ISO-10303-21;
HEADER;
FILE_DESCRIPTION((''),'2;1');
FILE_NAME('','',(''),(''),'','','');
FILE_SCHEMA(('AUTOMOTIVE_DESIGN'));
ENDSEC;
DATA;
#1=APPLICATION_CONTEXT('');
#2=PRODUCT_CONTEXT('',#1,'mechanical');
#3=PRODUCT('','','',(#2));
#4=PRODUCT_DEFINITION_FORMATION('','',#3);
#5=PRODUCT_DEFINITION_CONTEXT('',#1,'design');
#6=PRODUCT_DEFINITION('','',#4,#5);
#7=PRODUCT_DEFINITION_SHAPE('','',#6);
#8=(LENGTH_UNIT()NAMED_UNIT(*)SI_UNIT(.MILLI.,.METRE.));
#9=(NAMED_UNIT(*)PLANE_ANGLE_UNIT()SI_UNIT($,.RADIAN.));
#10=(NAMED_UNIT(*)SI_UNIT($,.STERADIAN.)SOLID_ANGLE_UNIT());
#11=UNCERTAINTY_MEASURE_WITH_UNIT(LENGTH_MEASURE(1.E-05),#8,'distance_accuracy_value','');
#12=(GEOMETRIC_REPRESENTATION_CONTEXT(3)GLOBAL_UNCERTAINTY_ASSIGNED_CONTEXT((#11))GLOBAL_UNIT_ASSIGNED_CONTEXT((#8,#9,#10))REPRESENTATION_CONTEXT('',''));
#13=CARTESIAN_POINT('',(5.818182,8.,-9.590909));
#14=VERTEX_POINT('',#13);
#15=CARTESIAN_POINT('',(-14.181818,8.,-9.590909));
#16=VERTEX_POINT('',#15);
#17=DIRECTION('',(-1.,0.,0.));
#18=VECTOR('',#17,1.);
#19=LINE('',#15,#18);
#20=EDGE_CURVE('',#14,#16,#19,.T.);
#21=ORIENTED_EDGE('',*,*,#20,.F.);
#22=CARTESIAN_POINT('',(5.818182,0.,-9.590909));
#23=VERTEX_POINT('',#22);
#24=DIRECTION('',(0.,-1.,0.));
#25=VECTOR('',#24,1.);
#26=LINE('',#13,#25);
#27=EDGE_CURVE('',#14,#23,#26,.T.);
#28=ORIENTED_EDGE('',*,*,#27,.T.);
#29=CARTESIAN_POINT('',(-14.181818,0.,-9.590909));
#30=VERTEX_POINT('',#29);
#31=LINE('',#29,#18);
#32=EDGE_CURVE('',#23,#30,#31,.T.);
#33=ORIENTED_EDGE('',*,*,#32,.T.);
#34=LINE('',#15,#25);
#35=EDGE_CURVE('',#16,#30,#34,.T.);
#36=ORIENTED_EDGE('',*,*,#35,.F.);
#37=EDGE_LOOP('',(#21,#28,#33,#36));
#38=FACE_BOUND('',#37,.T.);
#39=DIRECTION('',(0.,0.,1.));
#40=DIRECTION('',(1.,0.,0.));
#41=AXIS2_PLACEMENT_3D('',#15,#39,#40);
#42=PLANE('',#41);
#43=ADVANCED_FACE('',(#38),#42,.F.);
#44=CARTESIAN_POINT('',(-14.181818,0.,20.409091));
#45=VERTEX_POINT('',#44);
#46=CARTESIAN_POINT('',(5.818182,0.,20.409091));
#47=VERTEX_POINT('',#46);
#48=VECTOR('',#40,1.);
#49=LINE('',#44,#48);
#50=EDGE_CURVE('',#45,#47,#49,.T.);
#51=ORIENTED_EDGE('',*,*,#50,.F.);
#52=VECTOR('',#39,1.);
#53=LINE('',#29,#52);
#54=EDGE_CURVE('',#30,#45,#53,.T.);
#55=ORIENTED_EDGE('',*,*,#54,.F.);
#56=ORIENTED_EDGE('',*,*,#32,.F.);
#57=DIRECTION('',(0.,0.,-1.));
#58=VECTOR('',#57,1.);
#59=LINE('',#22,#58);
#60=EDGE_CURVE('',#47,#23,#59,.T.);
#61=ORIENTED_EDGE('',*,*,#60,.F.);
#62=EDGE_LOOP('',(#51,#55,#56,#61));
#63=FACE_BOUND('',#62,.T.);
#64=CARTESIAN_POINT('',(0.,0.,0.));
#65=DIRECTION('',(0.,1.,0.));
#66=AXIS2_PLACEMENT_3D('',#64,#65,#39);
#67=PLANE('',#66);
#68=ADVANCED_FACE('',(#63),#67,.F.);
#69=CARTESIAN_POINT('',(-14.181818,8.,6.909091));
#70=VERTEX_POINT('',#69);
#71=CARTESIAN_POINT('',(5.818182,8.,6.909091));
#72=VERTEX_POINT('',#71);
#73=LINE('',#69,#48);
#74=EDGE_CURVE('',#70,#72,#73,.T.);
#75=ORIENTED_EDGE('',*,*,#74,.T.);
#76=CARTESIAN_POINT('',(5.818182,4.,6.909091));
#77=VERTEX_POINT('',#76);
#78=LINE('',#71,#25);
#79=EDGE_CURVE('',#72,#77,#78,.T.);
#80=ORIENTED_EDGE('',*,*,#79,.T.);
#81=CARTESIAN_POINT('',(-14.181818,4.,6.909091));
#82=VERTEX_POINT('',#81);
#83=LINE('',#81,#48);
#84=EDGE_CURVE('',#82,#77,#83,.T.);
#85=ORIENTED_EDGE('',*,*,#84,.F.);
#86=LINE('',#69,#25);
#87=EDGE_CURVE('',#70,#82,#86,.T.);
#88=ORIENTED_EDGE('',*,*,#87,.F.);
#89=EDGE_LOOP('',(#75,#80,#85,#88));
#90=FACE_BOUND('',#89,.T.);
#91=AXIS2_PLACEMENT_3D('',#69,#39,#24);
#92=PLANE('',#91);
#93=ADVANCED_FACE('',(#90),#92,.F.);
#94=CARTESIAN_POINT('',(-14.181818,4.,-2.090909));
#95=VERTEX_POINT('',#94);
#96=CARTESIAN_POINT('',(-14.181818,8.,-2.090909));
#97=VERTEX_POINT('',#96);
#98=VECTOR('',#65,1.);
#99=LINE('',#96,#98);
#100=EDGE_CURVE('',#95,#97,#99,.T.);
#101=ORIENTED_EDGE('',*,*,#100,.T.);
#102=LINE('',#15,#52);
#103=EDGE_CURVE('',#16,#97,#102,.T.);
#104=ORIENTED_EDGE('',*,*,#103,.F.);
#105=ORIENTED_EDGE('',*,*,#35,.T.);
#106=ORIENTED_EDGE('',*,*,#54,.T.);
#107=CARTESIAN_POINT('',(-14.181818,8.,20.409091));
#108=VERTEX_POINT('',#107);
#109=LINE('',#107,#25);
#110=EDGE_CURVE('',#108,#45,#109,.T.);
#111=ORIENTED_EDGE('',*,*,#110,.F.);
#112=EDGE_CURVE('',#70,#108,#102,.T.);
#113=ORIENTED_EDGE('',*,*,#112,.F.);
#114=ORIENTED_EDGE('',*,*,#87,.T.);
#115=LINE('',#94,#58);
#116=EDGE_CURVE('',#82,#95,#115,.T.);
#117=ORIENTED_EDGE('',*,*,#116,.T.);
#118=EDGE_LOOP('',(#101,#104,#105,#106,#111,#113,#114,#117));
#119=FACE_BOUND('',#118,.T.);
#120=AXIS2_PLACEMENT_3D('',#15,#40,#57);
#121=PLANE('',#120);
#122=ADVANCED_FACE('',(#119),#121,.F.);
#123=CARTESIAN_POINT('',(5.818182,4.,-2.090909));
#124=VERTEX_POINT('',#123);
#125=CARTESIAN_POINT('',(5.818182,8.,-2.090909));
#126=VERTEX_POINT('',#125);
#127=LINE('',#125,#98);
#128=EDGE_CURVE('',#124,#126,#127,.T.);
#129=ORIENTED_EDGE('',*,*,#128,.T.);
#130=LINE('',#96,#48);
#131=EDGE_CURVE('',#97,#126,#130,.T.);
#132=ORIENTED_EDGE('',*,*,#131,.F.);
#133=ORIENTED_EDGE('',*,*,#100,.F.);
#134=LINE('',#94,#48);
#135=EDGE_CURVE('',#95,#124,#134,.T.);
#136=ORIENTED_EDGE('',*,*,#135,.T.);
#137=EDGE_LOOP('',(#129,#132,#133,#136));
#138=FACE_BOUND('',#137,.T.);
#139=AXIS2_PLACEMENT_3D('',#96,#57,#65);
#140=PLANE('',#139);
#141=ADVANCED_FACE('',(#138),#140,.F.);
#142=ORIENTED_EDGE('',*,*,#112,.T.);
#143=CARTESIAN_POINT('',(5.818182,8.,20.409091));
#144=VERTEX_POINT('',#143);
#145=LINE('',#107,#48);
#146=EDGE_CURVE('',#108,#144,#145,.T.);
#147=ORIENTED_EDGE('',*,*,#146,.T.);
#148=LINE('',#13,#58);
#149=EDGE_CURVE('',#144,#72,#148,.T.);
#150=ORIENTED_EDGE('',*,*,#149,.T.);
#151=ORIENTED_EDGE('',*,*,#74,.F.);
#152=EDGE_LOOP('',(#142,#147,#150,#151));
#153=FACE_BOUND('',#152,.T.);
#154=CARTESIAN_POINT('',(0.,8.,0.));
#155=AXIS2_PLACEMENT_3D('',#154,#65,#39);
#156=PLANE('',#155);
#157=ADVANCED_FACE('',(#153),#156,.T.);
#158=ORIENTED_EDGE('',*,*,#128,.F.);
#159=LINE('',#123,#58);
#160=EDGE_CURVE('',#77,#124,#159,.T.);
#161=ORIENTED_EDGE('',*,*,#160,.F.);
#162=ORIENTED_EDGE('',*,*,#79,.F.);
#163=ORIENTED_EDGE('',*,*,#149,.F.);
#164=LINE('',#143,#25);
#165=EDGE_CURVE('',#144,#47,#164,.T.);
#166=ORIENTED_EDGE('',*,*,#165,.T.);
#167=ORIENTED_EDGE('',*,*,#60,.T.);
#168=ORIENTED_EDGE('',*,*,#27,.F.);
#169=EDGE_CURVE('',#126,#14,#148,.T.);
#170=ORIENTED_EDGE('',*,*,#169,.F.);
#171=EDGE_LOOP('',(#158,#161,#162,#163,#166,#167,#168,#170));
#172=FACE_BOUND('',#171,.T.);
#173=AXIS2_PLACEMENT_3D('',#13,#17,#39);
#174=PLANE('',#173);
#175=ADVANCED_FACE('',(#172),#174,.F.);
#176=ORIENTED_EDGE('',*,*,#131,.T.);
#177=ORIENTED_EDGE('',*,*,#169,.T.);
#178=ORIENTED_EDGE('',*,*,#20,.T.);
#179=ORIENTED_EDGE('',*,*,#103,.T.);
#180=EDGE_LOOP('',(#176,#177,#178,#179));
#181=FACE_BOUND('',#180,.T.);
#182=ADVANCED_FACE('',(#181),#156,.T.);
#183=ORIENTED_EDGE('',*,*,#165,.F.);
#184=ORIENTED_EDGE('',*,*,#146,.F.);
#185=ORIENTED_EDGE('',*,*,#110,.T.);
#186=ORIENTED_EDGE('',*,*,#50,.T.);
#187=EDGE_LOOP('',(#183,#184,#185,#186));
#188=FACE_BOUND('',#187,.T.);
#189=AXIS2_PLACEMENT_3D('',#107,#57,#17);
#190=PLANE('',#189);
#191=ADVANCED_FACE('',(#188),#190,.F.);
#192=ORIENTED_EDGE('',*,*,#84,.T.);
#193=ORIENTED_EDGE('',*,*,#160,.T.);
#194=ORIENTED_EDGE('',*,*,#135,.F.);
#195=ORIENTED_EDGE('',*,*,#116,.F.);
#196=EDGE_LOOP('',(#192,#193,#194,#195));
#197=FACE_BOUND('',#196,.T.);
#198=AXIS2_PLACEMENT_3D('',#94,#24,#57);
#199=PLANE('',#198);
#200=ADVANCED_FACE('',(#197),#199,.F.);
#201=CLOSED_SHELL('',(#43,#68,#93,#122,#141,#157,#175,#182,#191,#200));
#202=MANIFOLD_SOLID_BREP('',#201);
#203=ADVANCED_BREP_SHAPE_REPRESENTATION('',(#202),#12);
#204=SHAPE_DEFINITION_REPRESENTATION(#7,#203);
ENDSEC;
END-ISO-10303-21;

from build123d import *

# Parameters (mm, degrees)
SKETCH1_W           = 20
SKETCH1_H           = 30
BOSS_EXTRUDE1_DEPTH = 8
SKETCH3_W           = 9
SKETCH3_H           = 4
CUT_EXTRUDE1_DEPTH  = 20


with BuildPart() as part:
    # Sketch1 → Boss-Extrude1 (new body)
    with BuildSketch(Plane(origin=(0, 0, 0), x_dir=(1, 0, 0), z_dir=(0, 1, 0))):
        with Locations((-4.181818182, -5.409090909)):
            Rectangle(SKETCH1_W, SKETCH1_H)
    extrude(amount=BOSS_EXTRUDE1_DEPTH)

    # Sketch3 → Cut-Extrude1 (cut)
    with BuildSketch(Plane(origin=(5.818181818, 0, 0), x_dir=(0, 0, -1), z_dir=(1, 0, 0))):
        with Locations((-2.409090909, 6)):
            Rectangle(SKETCH3_W, SKETCH3_H)
    extrude(amount=-CUT_EXTRUDE1_DEPTH, mode=Mode.SUBTRACT)


solid = part.part
